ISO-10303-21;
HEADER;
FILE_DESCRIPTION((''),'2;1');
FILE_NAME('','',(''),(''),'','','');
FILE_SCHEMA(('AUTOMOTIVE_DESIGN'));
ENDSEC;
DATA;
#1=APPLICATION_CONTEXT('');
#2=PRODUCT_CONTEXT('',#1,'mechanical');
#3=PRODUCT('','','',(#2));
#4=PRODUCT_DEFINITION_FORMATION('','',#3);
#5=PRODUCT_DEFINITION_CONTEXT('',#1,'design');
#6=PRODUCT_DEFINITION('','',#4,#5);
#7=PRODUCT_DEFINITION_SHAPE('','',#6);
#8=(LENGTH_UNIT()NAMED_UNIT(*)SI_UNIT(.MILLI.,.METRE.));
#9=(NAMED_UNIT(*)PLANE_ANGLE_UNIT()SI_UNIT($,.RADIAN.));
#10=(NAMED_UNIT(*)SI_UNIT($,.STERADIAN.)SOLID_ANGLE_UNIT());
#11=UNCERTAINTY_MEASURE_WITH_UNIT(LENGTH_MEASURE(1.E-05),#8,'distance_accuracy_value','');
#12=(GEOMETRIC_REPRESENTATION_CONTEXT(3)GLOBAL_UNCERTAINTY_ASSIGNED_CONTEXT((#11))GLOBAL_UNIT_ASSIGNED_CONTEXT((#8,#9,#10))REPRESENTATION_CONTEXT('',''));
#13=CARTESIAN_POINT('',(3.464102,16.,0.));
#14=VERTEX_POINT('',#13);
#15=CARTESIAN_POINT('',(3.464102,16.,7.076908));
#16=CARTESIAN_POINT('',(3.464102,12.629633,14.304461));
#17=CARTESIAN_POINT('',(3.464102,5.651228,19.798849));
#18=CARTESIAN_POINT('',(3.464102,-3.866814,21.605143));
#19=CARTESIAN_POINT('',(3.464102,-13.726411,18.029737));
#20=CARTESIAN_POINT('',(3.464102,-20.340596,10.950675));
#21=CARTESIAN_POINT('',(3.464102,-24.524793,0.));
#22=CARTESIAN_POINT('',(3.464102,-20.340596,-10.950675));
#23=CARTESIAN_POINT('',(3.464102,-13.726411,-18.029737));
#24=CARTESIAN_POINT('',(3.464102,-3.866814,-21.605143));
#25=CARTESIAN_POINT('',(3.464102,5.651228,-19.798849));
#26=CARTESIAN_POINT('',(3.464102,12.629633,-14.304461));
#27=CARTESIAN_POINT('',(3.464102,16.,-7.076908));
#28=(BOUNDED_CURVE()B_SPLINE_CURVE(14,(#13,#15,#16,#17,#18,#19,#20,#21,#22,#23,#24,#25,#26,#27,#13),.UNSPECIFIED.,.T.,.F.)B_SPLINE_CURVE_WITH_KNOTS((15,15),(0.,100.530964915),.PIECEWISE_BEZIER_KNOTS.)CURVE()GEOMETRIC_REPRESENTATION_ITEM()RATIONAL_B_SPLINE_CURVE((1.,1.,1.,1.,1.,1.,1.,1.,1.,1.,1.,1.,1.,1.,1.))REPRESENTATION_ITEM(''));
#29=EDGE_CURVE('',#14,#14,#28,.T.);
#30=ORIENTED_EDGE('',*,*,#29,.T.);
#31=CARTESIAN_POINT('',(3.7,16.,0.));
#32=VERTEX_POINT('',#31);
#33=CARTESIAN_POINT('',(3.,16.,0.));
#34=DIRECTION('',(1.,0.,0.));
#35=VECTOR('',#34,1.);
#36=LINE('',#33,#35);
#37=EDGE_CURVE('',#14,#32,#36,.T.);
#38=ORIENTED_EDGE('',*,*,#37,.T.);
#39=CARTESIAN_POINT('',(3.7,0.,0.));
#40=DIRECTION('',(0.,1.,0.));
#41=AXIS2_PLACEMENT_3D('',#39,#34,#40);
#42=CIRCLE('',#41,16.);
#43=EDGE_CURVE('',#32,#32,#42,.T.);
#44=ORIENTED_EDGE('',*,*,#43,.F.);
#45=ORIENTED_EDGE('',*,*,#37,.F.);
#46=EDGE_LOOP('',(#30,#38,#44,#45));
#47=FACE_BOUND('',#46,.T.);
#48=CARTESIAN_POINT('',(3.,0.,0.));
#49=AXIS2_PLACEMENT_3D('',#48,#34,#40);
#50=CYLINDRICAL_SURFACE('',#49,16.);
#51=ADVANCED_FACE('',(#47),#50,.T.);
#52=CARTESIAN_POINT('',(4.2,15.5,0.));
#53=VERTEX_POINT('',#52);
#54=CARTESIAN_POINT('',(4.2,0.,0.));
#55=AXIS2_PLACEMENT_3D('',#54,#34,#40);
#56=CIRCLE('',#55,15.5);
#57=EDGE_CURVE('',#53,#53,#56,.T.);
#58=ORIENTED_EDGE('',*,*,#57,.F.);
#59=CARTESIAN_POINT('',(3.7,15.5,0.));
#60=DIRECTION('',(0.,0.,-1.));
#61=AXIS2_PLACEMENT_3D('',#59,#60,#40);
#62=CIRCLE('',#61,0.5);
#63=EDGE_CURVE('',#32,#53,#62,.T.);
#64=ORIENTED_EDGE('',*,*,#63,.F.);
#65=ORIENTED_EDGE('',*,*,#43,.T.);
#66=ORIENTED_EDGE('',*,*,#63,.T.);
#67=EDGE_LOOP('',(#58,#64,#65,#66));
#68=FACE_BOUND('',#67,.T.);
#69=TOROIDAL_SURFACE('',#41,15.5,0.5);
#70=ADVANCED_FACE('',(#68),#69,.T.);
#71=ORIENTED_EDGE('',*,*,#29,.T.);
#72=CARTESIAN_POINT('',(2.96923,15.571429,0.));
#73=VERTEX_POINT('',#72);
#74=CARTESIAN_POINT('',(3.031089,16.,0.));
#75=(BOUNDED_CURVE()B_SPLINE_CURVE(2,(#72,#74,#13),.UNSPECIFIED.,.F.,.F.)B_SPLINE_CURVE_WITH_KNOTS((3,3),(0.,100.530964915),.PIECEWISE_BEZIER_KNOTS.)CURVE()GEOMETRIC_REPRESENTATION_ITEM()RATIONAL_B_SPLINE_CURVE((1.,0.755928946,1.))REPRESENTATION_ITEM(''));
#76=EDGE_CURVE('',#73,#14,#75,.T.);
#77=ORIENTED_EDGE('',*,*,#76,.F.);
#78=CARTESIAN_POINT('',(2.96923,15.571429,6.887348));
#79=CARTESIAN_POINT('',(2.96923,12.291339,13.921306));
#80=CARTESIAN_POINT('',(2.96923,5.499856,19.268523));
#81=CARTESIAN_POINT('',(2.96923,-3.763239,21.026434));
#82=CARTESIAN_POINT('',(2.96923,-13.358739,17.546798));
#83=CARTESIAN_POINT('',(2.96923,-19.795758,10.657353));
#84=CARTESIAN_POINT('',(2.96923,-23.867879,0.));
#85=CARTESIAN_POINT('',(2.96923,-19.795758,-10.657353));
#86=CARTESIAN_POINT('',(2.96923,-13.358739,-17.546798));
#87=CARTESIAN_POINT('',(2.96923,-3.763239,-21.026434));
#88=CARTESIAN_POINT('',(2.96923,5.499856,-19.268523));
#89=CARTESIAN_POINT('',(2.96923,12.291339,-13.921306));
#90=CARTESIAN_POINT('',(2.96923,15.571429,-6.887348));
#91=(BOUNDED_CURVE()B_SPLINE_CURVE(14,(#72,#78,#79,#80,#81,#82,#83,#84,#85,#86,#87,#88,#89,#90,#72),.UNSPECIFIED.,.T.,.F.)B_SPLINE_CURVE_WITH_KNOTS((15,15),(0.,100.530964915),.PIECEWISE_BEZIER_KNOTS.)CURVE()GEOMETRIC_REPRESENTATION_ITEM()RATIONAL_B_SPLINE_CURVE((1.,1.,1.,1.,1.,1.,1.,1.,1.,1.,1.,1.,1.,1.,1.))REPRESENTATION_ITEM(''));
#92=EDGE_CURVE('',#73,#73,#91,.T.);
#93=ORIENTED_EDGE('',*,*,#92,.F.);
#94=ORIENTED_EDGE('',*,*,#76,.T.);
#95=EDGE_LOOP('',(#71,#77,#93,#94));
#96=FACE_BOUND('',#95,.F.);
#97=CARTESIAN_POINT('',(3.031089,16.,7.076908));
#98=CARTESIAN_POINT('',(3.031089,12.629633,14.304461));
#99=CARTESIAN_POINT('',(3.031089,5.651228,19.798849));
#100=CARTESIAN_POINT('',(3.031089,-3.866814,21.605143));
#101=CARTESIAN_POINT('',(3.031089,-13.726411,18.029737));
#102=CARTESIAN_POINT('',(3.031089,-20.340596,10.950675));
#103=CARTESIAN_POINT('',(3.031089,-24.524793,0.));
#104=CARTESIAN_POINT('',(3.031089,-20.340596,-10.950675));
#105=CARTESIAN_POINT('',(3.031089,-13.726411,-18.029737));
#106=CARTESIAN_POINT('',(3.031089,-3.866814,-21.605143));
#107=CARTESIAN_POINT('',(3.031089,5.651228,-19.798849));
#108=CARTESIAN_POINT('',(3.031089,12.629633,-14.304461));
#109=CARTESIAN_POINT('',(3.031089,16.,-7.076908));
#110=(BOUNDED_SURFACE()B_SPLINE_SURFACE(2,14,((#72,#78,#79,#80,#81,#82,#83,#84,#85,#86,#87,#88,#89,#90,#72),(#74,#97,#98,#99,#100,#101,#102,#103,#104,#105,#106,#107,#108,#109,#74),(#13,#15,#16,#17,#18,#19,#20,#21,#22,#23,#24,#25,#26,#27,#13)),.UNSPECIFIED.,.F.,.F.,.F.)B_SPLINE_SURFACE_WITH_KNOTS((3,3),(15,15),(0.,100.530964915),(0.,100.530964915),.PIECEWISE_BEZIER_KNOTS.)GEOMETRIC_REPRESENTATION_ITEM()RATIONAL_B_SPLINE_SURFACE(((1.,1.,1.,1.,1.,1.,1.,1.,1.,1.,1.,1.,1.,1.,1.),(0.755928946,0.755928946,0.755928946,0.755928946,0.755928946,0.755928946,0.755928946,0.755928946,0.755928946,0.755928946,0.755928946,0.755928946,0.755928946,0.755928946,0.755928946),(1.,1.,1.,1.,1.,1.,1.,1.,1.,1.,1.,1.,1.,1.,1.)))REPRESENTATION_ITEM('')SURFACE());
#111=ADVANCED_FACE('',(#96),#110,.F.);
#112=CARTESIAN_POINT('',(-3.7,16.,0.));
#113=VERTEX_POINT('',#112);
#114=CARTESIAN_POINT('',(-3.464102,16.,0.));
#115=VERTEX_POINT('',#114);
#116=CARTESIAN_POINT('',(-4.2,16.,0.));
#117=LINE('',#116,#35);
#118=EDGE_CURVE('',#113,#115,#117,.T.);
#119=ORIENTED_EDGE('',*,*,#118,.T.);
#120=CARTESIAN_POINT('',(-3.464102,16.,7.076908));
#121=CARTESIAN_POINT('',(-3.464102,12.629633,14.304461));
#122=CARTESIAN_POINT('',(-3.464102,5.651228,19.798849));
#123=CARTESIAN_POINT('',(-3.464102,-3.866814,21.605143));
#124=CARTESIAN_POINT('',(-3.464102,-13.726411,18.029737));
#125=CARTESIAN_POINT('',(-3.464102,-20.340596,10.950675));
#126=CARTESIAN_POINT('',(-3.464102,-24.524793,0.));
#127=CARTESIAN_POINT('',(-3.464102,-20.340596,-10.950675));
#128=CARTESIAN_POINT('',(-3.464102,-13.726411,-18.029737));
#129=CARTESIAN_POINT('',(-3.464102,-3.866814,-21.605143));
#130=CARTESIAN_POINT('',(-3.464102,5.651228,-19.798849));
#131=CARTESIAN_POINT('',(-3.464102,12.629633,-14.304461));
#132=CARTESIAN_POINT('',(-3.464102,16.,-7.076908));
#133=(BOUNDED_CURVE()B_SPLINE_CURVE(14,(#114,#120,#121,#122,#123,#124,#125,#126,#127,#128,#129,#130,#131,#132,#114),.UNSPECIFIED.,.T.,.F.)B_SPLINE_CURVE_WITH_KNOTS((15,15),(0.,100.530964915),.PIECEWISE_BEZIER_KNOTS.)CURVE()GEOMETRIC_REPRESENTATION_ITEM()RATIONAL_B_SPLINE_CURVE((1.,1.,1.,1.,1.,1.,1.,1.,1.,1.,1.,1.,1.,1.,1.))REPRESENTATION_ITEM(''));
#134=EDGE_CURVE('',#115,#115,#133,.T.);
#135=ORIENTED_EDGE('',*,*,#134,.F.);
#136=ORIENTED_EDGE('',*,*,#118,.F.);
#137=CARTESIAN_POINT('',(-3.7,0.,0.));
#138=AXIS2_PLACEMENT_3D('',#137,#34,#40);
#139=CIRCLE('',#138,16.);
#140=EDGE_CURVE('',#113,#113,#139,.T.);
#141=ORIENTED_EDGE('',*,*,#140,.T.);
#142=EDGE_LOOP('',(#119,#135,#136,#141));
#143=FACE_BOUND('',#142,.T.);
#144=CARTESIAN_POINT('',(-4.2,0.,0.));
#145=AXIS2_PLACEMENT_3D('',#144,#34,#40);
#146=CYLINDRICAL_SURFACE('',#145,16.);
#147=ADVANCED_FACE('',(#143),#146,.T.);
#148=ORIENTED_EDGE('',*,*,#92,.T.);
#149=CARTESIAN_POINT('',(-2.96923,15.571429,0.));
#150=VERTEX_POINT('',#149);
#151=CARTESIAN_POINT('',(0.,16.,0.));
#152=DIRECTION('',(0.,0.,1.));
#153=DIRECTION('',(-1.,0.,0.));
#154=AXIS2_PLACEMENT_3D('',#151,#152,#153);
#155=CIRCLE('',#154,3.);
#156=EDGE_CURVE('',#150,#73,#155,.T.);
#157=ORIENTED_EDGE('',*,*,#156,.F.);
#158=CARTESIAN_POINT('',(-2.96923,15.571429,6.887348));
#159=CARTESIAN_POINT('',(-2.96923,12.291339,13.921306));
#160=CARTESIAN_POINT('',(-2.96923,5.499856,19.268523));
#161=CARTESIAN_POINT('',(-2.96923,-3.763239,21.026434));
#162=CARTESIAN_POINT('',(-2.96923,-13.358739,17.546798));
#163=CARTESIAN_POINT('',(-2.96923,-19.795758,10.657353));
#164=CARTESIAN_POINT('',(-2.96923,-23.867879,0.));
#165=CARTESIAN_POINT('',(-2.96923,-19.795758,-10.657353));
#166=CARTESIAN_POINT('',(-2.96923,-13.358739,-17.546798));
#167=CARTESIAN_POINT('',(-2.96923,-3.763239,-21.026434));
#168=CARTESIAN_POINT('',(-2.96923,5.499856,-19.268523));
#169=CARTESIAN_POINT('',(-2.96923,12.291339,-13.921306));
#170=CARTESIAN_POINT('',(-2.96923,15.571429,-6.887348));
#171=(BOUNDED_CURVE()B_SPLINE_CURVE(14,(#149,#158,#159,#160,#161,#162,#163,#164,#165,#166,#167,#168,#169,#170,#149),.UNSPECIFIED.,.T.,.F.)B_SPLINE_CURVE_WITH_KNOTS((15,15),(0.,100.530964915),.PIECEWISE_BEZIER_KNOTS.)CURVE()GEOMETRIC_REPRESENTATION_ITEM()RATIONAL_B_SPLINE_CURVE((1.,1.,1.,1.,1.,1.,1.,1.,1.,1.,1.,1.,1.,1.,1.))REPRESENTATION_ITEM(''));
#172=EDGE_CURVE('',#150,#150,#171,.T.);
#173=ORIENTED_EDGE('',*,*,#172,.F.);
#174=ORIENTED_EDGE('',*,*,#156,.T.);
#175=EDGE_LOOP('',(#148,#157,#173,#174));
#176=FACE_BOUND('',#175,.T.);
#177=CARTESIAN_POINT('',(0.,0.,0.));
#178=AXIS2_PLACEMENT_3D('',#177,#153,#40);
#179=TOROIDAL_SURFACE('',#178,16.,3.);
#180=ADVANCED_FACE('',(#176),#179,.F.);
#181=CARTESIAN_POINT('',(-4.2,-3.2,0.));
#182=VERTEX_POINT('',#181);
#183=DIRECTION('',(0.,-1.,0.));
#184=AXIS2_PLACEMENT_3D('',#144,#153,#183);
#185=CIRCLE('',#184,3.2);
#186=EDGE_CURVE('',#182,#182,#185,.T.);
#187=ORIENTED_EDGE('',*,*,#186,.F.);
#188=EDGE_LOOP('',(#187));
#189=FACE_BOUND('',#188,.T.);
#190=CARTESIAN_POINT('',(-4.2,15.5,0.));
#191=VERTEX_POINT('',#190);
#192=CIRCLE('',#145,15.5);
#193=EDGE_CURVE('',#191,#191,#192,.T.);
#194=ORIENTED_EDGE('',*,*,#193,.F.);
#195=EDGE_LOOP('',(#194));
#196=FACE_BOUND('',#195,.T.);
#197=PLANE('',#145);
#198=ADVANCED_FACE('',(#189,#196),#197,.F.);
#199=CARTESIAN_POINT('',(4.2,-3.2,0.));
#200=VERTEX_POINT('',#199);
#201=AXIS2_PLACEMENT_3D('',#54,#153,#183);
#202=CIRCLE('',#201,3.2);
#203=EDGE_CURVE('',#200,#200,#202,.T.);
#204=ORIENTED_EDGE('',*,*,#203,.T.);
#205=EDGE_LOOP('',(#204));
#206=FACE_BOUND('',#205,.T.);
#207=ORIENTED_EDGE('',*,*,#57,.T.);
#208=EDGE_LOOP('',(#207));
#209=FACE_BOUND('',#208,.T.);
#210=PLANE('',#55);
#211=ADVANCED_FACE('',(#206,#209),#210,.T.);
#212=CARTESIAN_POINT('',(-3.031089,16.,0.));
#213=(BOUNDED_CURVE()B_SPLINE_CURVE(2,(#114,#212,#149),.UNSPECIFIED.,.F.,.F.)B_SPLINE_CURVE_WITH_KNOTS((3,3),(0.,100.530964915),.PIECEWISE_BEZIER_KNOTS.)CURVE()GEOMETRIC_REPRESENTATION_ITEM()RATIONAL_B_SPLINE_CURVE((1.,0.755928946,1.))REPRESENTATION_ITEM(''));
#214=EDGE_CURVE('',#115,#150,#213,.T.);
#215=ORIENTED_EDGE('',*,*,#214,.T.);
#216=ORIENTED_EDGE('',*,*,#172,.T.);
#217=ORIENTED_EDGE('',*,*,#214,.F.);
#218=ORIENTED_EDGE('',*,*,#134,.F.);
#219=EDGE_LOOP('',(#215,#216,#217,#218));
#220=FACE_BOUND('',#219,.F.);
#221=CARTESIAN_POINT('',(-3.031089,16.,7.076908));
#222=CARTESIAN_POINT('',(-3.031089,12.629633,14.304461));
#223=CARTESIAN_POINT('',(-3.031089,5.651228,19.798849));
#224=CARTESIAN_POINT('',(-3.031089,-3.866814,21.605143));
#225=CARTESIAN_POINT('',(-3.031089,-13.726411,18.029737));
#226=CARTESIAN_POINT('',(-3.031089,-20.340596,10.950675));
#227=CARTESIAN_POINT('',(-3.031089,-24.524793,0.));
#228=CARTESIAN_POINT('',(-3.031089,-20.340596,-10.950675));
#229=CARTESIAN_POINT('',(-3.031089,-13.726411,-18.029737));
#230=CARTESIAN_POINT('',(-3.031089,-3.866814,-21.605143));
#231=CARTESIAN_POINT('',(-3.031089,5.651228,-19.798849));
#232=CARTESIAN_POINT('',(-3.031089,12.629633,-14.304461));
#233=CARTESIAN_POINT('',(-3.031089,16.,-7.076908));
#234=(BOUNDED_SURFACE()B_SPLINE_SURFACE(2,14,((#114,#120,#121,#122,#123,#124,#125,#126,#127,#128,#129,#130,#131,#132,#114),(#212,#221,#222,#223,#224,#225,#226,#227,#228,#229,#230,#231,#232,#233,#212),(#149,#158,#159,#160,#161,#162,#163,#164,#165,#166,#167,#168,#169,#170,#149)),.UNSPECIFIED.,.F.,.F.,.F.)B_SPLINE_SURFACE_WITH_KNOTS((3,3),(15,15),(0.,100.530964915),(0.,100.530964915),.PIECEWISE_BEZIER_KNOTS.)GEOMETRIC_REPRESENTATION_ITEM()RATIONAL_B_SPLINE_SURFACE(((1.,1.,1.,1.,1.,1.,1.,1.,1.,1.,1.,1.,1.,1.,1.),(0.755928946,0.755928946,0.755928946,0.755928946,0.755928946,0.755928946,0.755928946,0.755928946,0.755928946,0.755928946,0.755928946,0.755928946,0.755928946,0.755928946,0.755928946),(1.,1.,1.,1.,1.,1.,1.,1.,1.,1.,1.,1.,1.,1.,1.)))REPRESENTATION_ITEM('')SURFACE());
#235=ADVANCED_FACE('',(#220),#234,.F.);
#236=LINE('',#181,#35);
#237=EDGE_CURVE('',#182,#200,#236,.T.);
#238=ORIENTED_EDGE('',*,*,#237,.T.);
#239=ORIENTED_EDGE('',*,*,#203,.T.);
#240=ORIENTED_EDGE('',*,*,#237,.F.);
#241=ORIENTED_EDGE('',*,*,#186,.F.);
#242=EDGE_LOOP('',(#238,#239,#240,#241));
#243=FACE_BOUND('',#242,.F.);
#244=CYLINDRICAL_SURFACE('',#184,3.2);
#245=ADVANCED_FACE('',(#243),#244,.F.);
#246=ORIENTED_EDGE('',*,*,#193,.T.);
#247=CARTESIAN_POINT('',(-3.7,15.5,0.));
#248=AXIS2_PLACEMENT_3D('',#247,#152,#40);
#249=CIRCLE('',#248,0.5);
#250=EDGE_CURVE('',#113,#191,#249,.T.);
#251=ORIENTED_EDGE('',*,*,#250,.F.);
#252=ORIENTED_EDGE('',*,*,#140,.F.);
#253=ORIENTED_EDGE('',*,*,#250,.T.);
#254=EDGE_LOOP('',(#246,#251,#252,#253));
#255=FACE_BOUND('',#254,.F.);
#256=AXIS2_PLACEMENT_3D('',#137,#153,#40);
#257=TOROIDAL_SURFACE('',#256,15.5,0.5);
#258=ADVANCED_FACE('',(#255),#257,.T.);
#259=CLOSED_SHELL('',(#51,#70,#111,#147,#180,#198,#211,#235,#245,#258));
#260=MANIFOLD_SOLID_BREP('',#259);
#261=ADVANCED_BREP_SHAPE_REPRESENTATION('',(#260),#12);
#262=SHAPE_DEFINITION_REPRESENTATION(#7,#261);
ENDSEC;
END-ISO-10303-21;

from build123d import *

# Parameters (mm, degrees)
SKETCH001_R  = 3.2
POCKET_DEPTH = 8.401
FILLET_R     = 0.5


with BuildPart() as part:
    # Sketch → Revolution (revolve)
    with BuildSketch(Plane.XY):
        with BuildLine():
            Line((-4.2, 16), (-3, 16))
            ThreePointArc((-3, 16), (0, 13), (3, 16))
            Line((3, 16), (4.2, 16))
            Line((4.2, 16), (4.2, 0))
            Line((4.2, 0), (-4.2, 0))
            Line((-4.2, 0), (-4.2, 16))
        make_face()
    revolve(axis=Axis((0, 0, 0), (1, 0, 0)))

    # Sketch001 → Pocket (cut, through all)
    with BuildSketch(Plane(origin=(-4.2, 0, 0), x_dir=(0, -1, 0), z_dir=(-1, 0, 0))):
        Circle(SKETCH001_R)
    extrude(amount=-POCKET_DEPTH, mode=Mode.SUBTRACT)

    # Fillet
    fillet_edges = [part.edges().sort_by_distance(p)[0] for p in [
        (-3, -16, 0),
        (3, -16, 0),
        (-4.2, -16, 0),
        (4.2, -16, 0),
    ]]
    fillet(fillet_edges, radius=FILLET_R)


solid = part.part
